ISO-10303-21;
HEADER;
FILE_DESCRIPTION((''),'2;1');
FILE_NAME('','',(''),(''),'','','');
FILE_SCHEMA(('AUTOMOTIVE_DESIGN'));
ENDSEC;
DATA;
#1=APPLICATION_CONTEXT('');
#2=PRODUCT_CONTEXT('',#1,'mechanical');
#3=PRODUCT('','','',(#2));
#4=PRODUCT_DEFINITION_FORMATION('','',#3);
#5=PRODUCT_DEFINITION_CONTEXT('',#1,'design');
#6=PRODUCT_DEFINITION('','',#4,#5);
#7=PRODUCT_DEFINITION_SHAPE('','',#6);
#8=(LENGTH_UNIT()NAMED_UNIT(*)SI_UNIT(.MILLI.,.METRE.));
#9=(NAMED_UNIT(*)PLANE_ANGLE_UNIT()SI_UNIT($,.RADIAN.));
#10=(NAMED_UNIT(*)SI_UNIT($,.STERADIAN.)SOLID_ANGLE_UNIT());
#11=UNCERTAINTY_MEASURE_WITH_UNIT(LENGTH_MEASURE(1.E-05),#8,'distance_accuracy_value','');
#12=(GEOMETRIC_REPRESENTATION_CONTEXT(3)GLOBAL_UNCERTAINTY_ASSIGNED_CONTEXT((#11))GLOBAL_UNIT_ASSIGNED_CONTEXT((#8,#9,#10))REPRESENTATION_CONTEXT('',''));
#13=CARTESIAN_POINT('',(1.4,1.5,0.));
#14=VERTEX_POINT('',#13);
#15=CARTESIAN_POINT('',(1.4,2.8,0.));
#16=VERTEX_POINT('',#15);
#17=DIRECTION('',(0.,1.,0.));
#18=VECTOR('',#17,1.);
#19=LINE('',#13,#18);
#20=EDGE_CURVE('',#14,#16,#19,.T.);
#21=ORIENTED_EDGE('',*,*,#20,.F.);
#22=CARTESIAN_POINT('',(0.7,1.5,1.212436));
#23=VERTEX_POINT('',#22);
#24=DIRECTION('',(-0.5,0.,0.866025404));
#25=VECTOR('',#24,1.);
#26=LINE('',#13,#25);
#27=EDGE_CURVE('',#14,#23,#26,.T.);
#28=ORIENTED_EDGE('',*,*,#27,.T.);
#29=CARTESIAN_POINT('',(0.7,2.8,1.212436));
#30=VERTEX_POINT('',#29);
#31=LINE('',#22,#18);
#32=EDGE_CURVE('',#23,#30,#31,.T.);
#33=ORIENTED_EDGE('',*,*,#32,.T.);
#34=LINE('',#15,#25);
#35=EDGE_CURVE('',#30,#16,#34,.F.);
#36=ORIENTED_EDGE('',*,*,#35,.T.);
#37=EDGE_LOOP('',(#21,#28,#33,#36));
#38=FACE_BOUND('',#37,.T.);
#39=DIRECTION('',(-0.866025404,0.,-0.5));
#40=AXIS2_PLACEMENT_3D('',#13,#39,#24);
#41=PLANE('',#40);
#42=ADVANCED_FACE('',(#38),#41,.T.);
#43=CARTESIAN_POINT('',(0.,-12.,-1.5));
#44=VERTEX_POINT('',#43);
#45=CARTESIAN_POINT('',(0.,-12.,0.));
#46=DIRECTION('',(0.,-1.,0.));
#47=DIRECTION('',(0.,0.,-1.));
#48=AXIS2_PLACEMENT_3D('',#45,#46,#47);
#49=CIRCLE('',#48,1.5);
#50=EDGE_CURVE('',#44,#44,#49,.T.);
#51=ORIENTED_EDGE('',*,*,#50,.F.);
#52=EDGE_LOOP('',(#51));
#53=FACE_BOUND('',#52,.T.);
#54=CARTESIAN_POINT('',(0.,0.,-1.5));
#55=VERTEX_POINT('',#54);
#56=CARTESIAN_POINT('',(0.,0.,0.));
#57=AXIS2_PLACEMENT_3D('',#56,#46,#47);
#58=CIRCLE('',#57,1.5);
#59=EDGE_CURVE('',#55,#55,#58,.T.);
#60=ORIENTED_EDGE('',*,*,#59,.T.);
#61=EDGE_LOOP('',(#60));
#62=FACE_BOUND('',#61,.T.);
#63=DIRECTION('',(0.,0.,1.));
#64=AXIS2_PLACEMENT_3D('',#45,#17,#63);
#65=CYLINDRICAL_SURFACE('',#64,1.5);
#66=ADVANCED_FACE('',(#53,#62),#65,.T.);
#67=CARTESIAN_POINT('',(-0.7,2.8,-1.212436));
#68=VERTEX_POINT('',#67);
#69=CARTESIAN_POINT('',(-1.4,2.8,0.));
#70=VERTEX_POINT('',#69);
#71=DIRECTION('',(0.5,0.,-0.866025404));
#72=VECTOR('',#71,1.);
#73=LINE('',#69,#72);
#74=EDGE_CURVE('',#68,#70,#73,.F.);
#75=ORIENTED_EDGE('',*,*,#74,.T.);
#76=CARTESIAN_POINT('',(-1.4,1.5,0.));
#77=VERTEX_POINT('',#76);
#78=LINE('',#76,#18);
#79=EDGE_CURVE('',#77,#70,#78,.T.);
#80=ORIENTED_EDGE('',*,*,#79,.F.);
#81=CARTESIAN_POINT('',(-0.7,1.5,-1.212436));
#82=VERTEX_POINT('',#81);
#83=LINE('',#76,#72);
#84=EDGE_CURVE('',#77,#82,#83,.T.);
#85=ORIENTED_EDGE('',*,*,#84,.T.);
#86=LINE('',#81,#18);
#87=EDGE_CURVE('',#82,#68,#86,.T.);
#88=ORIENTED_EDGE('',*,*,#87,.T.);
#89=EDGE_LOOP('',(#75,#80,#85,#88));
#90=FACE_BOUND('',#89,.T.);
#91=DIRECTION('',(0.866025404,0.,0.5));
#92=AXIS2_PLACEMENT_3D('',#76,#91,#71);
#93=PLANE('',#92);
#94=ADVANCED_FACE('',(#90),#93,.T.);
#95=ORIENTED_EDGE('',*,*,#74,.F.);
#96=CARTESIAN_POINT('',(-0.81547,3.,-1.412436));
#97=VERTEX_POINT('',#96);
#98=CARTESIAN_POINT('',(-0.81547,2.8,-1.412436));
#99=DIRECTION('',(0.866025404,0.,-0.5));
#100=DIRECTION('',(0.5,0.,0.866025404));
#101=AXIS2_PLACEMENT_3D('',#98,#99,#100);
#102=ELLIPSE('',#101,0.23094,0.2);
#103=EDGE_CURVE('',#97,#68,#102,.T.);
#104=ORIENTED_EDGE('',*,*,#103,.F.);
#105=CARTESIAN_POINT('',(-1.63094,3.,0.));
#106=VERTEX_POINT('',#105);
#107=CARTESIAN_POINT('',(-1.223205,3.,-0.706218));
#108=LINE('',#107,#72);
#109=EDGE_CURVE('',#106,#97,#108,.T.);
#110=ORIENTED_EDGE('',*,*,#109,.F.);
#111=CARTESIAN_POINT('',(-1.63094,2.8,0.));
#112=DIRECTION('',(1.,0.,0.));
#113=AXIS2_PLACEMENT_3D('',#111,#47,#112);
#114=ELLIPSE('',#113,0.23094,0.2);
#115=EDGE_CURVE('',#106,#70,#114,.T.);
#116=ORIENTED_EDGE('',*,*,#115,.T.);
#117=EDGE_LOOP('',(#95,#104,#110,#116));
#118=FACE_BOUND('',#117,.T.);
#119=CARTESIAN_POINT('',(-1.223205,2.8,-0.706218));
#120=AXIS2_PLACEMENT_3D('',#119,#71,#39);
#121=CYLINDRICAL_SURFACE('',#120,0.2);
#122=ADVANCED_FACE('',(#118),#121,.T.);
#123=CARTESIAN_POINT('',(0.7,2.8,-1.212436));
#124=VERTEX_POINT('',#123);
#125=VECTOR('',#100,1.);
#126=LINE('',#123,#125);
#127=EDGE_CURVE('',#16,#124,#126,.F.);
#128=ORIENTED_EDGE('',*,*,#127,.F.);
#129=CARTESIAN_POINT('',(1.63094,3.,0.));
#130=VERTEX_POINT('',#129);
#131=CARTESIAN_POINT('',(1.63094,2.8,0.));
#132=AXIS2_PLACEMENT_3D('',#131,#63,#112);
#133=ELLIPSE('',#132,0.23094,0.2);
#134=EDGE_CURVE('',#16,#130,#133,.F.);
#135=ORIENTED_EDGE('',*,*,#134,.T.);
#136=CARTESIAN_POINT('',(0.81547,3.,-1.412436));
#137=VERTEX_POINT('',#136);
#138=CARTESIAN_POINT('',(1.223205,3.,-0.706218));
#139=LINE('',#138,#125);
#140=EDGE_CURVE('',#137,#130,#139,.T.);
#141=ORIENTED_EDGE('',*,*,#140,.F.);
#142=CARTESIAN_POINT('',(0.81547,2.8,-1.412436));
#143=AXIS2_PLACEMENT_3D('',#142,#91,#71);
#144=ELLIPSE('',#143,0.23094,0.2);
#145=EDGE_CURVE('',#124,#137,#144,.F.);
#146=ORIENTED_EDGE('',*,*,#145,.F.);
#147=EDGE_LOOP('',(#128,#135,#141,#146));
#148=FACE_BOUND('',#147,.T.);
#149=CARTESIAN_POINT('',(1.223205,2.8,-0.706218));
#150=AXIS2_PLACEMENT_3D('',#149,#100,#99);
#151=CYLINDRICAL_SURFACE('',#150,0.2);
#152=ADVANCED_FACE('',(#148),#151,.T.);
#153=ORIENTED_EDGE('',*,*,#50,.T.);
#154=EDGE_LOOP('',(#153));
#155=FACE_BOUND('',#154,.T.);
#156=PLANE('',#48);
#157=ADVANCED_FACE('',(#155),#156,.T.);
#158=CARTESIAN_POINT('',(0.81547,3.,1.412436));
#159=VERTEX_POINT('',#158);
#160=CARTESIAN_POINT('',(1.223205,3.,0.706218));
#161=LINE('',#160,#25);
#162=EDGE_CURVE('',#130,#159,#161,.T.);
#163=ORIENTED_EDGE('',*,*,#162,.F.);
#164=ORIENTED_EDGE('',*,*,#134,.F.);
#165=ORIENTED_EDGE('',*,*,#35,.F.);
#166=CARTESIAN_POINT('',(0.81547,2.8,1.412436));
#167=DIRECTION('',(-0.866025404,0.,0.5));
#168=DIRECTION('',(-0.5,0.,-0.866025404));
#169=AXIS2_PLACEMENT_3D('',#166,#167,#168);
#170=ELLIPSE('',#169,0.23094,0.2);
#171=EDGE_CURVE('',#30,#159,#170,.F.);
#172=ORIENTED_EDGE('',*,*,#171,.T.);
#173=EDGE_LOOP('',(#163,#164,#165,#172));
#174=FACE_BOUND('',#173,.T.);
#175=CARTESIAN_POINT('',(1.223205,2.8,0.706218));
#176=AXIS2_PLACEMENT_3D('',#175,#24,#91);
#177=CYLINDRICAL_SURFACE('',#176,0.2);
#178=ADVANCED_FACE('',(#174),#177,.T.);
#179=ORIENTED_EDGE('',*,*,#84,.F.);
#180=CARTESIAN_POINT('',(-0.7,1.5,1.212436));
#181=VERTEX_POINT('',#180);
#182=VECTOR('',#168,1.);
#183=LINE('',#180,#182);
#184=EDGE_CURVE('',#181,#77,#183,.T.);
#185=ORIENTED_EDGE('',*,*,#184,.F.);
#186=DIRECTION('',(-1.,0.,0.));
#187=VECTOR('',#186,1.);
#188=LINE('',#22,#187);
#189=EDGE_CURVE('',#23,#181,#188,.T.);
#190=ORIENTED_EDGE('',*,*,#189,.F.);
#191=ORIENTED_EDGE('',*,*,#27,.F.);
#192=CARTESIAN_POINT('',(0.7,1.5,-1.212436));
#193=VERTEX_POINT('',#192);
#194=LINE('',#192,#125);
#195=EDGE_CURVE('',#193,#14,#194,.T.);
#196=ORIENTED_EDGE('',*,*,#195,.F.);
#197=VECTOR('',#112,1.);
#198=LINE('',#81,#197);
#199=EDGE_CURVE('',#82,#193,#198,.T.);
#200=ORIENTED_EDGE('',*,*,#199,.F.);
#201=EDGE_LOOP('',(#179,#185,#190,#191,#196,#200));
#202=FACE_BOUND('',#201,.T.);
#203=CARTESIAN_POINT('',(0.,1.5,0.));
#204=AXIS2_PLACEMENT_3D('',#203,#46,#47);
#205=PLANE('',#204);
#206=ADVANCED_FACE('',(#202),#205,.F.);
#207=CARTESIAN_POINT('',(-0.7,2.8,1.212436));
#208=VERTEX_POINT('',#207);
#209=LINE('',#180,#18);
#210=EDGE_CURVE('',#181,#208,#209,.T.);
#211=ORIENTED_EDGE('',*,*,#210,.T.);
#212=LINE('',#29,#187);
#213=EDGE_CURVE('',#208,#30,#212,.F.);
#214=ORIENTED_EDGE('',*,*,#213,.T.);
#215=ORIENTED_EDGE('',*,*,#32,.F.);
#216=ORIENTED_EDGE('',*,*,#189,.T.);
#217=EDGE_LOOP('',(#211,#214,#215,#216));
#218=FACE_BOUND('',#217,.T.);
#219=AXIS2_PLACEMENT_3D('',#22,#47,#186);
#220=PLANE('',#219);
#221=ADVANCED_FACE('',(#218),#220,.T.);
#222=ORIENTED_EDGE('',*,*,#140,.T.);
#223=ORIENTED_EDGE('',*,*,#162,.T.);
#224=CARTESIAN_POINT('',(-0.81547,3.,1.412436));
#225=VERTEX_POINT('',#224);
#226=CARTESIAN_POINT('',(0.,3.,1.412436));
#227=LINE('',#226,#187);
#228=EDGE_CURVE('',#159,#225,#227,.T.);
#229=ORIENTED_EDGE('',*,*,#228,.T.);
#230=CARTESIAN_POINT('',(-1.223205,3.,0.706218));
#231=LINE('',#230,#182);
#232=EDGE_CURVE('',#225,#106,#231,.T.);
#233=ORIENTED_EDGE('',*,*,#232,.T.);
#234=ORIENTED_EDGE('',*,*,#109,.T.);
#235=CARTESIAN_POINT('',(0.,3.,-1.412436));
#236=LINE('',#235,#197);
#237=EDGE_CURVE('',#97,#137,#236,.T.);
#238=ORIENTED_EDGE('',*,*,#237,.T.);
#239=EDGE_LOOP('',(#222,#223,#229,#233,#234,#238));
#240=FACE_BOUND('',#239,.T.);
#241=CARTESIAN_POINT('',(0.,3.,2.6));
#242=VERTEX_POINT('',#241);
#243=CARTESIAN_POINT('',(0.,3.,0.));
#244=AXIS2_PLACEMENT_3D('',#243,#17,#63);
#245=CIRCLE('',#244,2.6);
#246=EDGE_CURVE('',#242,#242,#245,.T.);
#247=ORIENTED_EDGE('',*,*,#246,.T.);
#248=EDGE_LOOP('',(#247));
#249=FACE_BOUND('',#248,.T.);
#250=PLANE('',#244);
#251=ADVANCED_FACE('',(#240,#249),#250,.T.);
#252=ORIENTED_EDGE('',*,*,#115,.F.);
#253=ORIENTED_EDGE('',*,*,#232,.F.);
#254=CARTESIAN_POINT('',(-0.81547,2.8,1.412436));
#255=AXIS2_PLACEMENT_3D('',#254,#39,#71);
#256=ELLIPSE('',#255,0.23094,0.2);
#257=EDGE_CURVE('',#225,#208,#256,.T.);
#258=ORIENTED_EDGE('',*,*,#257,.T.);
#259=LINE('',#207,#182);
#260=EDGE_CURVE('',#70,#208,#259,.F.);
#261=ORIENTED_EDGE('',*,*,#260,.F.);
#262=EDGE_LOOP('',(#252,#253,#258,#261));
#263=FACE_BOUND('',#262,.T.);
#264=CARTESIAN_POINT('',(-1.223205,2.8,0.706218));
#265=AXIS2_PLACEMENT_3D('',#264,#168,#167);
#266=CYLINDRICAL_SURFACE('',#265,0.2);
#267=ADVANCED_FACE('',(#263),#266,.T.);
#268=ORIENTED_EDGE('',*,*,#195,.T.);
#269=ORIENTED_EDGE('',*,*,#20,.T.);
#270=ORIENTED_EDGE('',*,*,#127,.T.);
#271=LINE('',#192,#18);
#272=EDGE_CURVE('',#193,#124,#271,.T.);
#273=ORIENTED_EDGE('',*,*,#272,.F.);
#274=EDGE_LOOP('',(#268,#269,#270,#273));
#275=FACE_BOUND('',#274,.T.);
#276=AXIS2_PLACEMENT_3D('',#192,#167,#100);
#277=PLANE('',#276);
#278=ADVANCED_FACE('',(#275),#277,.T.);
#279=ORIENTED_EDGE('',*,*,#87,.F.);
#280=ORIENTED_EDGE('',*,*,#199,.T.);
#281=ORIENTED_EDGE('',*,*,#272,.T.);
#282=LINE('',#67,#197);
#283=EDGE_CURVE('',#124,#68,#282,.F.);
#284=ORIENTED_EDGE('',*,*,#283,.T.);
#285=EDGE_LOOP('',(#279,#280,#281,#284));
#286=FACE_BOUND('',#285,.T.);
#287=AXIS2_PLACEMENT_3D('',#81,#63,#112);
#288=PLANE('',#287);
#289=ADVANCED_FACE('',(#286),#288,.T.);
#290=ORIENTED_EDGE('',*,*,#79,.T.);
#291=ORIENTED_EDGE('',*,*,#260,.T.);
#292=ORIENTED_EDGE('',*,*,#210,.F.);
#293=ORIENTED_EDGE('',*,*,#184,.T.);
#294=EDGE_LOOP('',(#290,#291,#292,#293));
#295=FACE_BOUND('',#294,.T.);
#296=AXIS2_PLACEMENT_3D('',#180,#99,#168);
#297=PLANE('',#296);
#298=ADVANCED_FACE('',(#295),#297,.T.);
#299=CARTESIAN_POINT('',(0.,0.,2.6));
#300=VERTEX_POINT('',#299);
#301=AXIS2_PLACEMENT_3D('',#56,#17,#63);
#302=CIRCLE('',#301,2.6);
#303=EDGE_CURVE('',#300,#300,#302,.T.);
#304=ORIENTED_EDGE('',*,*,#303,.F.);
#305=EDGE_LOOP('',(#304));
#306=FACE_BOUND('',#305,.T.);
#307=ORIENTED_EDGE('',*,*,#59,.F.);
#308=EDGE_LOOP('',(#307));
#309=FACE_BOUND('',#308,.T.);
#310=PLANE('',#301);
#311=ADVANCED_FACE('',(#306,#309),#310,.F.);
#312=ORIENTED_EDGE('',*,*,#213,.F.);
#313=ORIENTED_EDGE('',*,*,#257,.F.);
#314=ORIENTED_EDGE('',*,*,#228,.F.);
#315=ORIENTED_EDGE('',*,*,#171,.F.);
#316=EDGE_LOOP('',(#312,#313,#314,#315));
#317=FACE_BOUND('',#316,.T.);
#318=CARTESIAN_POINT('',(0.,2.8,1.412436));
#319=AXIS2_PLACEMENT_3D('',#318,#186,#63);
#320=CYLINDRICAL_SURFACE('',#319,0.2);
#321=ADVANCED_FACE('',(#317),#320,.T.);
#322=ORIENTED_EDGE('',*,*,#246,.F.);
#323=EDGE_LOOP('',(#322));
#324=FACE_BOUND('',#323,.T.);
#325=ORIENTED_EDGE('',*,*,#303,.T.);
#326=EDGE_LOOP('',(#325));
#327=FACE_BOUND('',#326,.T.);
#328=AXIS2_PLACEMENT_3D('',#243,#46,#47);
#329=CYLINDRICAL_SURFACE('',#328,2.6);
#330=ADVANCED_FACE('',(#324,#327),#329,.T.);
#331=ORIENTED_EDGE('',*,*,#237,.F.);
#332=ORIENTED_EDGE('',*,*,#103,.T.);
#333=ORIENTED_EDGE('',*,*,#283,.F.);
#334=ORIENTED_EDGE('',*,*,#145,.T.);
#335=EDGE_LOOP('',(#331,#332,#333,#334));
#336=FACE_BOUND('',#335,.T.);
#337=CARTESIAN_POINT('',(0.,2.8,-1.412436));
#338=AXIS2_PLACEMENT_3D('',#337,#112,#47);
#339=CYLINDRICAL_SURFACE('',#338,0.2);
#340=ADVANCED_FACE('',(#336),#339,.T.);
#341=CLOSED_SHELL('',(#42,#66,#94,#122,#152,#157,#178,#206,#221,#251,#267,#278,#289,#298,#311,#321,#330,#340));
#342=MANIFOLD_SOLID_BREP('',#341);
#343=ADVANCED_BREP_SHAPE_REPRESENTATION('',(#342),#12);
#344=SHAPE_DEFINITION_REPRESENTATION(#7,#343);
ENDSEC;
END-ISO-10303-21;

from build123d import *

# Parameters (mm, degrees)
SKETCH_1_R          = 2.6
EXTRUDE_1_DEPTH     = 3
CUT_EXTRUDE_1_DEPTH = 1.5
SKETCH_5_R          = 1.5
EXTRUDE_2_DEPTH     = 12
FILLET_1_R          = 0.2


with BuildPart() as part:
    # 草图1 → 凸台-拉伸1 (new body)
    with BuildSketch(Plane(origin=(0, 0, 0), x_dir=(1, 0, 0), z_dir=(0, 1, 0))):
        with Locations(Location((0, 0, 0), (0, 0, 270))):
            Circle(SKETCH_1_R)
    extrude(amount=EXTRUDE_1_DEPTH)

    # 草图2 → 切除-拉伸1 (cut)
    with BuildSketch(Plane(origin=(0, 3, 0), x_dir=(1, 0, 0), z_dir=(0, 1, 0))):
        Polygon((-0.7, 1.212435565), (0.7, 1.212435565), (1.4, 0), (0.7, -1.212435565), (-0.7, -1.212435565), (-1.4, 0), align=None)
    extrude(amount=-CUT_EXTRUDE_1_DEPTH, mode=Mode.SUBTRACT)

    # 草图5 → 凸台-拉伸2 (add)
    with BuildSketch(Plane.XZ):
        with Locations(Location((0, 0, 0), (0, 0, 270))):
            Circle(SKETCH_5_R)
    extrude(amount=EXTRUDE_2_DEPTH)

    # 圆角1
    fillet_1_edges = [part.edges().sort_by_distance(p)[0] for p in [
        (1.05, 3, -0.606217783),
        (1.05, 3, 0.606217783),
        (0, 3, 1.212435565),
        (-1.05, 3, 0.606217783),
        (-1.05, 3, -0.606217783),
        (0, 3, -1.212435565),
    ]]
    fillet(fillet_1_edges, radius=FILLET_1_R)


solid = part.part
